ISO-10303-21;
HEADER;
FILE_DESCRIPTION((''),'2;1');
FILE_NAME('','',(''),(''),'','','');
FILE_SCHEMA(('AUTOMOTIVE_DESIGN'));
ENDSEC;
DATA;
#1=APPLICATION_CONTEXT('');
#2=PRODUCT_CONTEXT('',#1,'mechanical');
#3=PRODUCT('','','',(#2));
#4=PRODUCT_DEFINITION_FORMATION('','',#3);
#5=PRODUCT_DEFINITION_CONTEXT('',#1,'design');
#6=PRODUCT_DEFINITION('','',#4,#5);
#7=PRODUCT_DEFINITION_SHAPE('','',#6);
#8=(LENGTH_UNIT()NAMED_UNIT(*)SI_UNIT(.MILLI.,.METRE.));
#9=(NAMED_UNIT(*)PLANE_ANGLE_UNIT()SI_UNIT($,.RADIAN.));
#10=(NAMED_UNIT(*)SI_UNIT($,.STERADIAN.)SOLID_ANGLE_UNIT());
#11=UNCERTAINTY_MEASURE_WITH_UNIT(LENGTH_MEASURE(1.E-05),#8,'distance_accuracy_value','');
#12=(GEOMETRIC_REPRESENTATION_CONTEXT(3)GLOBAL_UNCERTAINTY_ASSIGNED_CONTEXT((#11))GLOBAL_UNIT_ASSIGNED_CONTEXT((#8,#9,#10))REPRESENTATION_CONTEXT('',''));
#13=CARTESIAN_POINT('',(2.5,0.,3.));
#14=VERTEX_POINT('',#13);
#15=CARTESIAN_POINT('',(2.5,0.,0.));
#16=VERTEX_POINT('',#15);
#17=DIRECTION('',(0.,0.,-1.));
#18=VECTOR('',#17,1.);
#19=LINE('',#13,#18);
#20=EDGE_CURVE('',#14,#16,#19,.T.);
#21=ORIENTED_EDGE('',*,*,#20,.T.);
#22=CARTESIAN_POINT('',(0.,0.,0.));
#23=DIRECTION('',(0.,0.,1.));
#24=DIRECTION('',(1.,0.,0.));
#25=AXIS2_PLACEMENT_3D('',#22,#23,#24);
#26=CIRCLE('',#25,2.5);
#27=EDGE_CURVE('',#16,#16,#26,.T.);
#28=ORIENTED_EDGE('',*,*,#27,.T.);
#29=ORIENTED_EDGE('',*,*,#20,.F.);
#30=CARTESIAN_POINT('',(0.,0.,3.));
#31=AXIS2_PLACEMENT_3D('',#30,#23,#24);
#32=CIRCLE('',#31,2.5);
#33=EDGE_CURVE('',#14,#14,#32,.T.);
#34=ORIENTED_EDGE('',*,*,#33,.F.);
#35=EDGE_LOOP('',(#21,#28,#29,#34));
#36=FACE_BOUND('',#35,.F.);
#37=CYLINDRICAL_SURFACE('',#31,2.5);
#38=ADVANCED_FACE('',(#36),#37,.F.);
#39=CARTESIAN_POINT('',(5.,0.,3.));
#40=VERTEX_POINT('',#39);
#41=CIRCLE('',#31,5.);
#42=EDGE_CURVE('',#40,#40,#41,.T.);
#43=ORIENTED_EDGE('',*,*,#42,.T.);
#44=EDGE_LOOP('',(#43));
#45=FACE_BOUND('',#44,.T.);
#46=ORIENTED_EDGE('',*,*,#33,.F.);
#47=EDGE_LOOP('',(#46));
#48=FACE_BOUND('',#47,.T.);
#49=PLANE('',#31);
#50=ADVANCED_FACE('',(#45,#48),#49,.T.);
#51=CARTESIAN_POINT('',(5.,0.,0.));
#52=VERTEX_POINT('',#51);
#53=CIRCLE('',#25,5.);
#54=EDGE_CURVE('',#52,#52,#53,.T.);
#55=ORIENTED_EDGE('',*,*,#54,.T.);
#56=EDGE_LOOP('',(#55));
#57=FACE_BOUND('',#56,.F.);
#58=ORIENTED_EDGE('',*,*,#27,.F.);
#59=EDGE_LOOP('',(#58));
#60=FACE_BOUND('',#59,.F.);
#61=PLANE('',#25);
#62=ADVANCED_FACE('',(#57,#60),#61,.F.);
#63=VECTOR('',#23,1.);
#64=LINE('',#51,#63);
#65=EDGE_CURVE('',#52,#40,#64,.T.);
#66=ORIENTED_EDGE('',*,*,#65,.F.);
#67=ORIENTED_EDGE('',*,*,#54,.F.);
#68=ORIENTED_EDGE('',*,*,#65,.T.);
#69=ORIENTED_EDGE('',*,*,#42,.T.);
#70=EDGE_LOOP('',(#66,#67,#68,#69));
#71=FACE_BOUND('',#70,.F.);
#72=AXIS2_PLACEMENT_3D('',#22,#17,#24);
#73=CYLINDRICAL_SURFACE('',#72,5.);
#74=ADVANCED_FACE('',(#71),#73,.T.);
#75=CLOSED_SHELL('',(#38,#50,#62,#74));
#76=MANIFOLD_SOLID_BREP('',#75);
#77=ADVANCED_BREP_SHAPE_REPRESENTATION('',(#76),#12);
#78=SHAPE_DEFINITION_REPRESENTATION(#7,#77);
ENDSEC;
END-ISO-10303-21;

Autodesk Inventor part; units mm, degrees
ref_plane "YZ Plane" through (0, 0, 0) normal (1, 0, 0) x (0, 1, 0)
ref_plane "XZ Plane" through (0, 0, 0) normal (0, 1, 0) x (-1, 0, 0)
ref_plane "XY Plane" through (0, 0, 0) normal (0, 0, 1) x (1, 0, 0)
sketch "Sketch1" plane through (0, 0, 0) normal (0, 0, 1) x (1, 0, 0)
  circle A0 centre (0, 0) radius 5
  dimension "d0" = 10
extrude "Extrusion1" add sketch "Sketch1" along normal blind 3
sketch "Sketch2" plane through (0, 0, 3) normal (0, 0, 1) x (1, 0, 0)
  circle A0 centre (0, 0) radius 2.5
  dimension "d3" = 5
extrude "Extrusion2" cut sketch "Sketch2" against normal blind 3
properties part number "outer_wheel_mouth"
